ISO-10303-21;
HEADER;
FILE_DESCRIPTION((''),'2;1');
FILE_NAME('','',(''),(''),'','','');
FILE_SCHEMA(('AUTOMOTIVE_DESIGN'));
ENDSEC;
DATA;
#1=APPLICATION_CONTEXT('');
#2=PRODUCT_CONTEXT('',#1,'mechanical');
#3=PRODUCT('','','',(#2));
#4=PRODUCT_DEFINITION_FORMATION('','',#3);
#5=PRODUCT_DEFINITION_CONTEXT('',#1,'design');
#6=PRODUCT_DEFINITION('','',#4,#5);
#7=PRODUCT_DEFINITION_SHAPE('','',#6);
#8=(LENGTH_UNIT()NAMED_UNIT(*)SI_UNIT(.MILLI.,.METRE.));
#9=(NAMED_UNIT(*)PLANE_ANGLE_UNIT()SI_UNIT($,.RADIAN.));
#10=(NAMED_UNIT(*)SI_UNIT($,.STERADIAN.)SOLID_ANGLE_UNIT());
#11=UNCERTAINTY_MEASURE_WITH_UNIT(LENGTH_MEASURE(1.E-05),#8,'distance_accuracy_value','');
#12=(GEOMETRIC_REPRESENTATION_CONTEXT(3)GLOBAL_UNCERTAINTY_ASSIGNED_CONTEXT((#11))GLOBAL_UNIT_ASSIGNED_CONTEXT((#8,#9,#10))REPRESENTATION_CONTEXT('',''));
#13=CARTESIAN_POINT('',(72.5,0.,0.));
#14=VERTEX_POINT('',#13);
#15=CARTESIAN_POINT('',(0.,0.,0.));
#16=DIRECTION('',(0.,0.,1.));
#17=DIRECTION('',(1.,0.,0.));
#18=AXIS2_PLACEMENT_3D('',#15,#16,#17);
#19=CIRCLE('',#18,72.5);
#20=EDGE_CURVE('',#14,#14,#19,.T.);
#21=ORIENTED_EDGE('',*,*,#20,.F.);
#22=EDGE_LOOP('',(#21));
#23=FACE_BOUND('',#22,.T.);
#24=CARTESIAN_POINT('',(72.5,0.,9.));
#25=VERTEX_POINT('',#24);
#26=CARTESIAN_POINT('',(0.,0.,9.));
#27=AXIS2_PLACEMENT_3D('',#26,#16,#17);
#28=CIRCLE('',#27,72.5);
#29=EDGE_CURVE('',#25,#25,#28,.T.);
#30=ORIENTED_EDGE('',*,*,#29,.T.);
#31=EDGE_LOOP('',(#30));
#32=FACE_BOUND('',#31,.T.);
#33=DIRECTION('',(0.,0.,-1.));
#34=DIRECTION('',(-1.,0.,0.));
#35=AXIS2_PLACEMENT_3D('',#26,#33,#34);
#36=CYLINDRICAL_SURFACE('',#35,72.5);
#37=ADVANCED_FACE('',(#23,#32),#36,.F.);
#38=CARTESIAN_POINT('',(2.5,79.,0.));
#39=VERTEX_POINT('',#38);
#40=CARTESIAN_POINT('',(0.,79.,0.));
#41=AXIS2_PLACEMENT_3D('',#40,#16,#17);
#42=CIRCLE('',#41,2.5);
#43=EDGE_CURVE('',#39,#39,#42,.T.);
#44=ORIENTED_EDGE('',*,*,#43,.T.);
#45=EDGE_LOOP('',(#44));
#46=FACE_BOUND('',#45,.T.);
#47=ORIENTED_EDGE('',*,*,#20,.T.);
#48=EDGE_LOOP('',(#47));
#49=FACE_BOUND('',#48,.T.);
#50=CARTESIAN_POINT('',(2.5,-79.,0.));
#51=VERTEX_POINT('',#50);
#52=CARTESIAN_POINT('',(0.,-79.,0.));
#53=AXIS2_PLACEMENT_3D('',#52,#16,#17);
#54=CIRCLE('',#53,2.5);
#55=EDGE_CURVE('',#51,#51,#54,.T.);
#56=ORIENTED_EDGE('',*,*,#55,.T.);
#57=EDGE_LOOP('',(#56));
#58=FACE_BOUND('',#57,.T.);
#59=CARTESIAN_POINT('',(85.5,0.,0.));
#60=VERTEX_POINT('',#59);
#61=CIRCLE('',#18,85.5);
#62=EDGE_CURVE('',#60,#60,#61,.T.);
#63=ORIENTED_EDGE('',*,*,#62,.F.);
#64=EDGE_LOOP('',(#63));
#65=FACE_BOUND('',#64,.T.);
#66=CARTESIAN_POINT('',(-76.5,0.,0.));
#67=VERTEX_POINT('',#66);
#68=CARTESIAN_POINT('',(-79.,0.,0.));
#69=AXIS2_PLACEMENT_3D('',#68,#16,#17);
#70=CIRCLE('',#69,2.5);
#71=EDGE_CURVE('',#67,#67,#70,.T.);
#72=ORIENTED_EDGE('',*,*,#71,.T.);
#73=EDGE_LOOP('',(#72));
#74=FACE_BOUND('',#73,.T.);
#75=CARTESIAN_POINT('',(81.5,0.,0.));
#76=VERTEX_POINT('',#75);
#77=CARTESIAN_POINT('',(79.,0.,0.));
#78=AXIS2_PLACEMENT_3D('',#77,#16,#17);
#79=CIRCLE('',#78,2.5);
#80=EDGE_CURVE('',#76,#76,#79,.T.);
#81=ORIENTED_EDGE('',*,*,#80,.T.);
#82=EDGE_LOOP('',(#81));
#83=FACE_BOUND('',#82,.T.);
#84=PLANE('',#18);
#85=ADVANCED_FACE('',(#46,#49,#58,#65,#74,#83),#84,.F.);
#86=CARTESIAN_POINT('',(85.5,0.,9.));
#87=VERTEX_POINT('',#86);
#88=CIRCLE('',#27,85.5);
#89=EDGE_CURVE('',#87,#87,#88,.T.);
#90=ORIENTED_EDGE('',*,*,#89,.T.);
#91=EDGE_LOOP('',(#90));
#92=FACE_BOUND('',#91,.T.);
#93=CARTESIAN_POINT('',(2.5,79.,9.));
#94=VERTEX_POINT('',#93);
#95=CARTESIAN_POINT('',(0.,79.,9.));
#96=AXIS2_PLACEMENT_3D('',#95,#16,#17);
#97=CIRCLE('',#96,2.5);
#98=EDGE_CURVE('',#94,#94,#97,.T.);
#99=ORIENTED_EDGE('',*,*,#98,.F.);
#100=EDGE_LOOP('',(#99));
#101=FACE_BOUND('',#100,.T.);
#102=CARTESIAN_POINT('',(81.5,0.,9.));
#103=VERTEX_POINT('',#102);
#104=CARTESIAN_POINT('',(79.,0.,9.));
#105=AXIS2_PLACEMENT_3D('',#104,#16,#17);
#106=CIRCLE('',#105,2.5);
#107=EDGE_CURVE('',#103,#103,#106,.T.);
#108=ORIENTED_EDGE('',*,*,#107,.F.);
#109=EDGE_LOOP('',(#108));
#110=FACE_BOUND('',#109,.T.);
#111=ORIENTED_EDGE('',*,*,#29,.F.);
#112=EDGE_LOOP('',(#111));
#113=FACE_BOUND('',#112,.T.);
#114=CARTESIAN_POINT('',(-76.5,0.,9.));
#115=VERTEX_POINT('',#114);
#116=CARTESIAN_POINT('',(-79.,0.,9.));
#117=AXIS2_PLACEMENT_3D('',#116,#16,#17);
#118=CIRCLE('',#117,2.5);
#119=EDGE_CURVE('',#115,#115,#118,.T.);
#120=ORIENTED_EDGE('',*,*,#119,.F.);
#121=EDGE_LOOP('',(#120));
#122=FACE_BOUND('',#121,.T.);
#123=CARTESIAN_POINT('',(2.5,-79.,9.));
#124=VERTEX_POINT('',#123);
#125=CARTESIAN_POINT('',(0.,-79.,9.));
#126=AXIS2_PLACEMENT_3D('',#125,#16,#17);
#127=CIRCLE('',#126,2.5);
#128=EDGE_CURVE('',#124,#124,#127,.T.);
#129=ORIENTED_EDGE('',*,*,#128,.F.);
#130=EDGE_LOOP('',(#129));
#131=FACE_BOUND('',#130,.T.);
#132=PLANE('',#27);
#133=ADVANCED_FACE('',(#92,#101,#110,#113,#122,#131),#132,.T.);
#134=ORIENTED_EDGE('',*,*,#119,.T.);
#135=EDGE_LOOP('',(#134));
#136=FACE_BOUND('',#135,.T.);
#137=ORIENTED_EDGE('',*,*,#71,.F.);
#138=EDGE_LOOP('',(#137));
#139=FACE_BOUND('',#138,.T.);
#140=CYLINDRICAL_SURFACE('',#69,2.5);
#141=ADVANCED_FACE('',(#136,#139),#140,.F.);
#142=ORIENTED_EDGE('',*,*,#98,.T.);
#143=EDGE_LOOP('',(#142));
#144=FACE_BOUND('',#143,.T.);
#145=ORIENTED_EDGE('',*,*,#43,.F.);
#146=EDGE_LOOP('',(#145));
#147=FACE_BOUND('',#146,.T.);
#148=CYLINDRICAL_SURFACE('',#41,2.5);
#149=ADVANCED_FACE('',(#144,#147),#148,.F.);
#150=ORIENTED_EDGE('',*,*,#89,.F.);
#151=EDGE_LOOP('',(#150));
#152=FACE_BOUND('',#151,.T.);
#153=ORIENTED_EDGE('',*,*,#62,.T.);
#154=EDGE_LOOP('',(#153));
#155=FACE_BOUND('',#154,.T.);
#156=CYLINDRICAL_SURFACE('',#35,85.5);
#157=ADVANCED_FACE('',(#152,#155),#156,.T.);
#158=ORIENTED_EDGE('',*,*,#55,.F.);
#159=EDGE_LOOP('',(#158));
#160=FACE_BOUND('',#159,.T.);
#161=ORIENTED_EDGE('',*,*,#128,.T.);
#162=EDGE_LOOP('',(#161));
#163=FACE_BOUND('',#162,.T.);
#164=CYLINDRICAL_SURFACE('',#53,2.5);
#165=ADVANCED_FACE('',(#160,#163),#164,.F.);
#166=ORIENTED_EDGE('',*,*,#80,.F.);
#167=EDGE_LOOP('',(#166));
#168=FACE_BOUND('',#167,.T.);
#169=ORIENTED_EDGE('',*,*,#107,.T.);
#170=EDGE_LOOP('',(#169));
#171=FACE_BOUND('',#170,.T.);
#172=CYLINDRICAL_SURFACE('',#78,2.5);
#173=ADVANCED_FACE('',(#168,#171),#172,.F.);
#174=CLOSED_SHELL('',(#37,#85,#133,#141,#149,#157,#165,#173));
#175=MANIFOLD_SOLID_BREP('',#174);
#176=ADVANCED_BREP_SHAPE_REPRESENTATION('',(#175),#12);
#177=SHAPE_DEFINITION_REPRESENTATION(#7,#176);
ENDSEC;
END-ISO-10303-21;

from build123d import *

# Parameters (mm, degrees)
SKETCH_1_R          = 85.5
SKETCH_1_R_2        = 72.5
EXTRUDE_1_DEPTH     = 9
SKETCH_3_R          = 2.5
CUT_EXTRUDE_1_DEPTH = 122.249742268


with BuildPart() as part:
    # 草图1 → 凸台-拉伸1 (new body)
    with BuildSketch(Plane.XY):
        Circle(SKETCH_1_R)
        Circle(SKETCH_1_R_2, mode=Mode.SUBTRACT)
    extrude(amount=EXTRUDE_1_DEPTH)

    # 草图3 → 切除-拉伸1 (cut, through all)
    with BuildSketch(Plane.XY.offset(9)):
        with Locations((0, 79)):
            Circle(SKETCH_3_R)
        with Locations((79, 0)):
            Circle(SKETCH_3_R)
        with Locations((0, -79)):
            Circle(SKETCH_3_R)
        with Locations((-79, 0)):
            Circle(SKETCH_3_R)
    extrude(amount=-CUT_EXTRUDE_1_DEPTH, mode=Mode.SUBTRACT)


solid = part.part
